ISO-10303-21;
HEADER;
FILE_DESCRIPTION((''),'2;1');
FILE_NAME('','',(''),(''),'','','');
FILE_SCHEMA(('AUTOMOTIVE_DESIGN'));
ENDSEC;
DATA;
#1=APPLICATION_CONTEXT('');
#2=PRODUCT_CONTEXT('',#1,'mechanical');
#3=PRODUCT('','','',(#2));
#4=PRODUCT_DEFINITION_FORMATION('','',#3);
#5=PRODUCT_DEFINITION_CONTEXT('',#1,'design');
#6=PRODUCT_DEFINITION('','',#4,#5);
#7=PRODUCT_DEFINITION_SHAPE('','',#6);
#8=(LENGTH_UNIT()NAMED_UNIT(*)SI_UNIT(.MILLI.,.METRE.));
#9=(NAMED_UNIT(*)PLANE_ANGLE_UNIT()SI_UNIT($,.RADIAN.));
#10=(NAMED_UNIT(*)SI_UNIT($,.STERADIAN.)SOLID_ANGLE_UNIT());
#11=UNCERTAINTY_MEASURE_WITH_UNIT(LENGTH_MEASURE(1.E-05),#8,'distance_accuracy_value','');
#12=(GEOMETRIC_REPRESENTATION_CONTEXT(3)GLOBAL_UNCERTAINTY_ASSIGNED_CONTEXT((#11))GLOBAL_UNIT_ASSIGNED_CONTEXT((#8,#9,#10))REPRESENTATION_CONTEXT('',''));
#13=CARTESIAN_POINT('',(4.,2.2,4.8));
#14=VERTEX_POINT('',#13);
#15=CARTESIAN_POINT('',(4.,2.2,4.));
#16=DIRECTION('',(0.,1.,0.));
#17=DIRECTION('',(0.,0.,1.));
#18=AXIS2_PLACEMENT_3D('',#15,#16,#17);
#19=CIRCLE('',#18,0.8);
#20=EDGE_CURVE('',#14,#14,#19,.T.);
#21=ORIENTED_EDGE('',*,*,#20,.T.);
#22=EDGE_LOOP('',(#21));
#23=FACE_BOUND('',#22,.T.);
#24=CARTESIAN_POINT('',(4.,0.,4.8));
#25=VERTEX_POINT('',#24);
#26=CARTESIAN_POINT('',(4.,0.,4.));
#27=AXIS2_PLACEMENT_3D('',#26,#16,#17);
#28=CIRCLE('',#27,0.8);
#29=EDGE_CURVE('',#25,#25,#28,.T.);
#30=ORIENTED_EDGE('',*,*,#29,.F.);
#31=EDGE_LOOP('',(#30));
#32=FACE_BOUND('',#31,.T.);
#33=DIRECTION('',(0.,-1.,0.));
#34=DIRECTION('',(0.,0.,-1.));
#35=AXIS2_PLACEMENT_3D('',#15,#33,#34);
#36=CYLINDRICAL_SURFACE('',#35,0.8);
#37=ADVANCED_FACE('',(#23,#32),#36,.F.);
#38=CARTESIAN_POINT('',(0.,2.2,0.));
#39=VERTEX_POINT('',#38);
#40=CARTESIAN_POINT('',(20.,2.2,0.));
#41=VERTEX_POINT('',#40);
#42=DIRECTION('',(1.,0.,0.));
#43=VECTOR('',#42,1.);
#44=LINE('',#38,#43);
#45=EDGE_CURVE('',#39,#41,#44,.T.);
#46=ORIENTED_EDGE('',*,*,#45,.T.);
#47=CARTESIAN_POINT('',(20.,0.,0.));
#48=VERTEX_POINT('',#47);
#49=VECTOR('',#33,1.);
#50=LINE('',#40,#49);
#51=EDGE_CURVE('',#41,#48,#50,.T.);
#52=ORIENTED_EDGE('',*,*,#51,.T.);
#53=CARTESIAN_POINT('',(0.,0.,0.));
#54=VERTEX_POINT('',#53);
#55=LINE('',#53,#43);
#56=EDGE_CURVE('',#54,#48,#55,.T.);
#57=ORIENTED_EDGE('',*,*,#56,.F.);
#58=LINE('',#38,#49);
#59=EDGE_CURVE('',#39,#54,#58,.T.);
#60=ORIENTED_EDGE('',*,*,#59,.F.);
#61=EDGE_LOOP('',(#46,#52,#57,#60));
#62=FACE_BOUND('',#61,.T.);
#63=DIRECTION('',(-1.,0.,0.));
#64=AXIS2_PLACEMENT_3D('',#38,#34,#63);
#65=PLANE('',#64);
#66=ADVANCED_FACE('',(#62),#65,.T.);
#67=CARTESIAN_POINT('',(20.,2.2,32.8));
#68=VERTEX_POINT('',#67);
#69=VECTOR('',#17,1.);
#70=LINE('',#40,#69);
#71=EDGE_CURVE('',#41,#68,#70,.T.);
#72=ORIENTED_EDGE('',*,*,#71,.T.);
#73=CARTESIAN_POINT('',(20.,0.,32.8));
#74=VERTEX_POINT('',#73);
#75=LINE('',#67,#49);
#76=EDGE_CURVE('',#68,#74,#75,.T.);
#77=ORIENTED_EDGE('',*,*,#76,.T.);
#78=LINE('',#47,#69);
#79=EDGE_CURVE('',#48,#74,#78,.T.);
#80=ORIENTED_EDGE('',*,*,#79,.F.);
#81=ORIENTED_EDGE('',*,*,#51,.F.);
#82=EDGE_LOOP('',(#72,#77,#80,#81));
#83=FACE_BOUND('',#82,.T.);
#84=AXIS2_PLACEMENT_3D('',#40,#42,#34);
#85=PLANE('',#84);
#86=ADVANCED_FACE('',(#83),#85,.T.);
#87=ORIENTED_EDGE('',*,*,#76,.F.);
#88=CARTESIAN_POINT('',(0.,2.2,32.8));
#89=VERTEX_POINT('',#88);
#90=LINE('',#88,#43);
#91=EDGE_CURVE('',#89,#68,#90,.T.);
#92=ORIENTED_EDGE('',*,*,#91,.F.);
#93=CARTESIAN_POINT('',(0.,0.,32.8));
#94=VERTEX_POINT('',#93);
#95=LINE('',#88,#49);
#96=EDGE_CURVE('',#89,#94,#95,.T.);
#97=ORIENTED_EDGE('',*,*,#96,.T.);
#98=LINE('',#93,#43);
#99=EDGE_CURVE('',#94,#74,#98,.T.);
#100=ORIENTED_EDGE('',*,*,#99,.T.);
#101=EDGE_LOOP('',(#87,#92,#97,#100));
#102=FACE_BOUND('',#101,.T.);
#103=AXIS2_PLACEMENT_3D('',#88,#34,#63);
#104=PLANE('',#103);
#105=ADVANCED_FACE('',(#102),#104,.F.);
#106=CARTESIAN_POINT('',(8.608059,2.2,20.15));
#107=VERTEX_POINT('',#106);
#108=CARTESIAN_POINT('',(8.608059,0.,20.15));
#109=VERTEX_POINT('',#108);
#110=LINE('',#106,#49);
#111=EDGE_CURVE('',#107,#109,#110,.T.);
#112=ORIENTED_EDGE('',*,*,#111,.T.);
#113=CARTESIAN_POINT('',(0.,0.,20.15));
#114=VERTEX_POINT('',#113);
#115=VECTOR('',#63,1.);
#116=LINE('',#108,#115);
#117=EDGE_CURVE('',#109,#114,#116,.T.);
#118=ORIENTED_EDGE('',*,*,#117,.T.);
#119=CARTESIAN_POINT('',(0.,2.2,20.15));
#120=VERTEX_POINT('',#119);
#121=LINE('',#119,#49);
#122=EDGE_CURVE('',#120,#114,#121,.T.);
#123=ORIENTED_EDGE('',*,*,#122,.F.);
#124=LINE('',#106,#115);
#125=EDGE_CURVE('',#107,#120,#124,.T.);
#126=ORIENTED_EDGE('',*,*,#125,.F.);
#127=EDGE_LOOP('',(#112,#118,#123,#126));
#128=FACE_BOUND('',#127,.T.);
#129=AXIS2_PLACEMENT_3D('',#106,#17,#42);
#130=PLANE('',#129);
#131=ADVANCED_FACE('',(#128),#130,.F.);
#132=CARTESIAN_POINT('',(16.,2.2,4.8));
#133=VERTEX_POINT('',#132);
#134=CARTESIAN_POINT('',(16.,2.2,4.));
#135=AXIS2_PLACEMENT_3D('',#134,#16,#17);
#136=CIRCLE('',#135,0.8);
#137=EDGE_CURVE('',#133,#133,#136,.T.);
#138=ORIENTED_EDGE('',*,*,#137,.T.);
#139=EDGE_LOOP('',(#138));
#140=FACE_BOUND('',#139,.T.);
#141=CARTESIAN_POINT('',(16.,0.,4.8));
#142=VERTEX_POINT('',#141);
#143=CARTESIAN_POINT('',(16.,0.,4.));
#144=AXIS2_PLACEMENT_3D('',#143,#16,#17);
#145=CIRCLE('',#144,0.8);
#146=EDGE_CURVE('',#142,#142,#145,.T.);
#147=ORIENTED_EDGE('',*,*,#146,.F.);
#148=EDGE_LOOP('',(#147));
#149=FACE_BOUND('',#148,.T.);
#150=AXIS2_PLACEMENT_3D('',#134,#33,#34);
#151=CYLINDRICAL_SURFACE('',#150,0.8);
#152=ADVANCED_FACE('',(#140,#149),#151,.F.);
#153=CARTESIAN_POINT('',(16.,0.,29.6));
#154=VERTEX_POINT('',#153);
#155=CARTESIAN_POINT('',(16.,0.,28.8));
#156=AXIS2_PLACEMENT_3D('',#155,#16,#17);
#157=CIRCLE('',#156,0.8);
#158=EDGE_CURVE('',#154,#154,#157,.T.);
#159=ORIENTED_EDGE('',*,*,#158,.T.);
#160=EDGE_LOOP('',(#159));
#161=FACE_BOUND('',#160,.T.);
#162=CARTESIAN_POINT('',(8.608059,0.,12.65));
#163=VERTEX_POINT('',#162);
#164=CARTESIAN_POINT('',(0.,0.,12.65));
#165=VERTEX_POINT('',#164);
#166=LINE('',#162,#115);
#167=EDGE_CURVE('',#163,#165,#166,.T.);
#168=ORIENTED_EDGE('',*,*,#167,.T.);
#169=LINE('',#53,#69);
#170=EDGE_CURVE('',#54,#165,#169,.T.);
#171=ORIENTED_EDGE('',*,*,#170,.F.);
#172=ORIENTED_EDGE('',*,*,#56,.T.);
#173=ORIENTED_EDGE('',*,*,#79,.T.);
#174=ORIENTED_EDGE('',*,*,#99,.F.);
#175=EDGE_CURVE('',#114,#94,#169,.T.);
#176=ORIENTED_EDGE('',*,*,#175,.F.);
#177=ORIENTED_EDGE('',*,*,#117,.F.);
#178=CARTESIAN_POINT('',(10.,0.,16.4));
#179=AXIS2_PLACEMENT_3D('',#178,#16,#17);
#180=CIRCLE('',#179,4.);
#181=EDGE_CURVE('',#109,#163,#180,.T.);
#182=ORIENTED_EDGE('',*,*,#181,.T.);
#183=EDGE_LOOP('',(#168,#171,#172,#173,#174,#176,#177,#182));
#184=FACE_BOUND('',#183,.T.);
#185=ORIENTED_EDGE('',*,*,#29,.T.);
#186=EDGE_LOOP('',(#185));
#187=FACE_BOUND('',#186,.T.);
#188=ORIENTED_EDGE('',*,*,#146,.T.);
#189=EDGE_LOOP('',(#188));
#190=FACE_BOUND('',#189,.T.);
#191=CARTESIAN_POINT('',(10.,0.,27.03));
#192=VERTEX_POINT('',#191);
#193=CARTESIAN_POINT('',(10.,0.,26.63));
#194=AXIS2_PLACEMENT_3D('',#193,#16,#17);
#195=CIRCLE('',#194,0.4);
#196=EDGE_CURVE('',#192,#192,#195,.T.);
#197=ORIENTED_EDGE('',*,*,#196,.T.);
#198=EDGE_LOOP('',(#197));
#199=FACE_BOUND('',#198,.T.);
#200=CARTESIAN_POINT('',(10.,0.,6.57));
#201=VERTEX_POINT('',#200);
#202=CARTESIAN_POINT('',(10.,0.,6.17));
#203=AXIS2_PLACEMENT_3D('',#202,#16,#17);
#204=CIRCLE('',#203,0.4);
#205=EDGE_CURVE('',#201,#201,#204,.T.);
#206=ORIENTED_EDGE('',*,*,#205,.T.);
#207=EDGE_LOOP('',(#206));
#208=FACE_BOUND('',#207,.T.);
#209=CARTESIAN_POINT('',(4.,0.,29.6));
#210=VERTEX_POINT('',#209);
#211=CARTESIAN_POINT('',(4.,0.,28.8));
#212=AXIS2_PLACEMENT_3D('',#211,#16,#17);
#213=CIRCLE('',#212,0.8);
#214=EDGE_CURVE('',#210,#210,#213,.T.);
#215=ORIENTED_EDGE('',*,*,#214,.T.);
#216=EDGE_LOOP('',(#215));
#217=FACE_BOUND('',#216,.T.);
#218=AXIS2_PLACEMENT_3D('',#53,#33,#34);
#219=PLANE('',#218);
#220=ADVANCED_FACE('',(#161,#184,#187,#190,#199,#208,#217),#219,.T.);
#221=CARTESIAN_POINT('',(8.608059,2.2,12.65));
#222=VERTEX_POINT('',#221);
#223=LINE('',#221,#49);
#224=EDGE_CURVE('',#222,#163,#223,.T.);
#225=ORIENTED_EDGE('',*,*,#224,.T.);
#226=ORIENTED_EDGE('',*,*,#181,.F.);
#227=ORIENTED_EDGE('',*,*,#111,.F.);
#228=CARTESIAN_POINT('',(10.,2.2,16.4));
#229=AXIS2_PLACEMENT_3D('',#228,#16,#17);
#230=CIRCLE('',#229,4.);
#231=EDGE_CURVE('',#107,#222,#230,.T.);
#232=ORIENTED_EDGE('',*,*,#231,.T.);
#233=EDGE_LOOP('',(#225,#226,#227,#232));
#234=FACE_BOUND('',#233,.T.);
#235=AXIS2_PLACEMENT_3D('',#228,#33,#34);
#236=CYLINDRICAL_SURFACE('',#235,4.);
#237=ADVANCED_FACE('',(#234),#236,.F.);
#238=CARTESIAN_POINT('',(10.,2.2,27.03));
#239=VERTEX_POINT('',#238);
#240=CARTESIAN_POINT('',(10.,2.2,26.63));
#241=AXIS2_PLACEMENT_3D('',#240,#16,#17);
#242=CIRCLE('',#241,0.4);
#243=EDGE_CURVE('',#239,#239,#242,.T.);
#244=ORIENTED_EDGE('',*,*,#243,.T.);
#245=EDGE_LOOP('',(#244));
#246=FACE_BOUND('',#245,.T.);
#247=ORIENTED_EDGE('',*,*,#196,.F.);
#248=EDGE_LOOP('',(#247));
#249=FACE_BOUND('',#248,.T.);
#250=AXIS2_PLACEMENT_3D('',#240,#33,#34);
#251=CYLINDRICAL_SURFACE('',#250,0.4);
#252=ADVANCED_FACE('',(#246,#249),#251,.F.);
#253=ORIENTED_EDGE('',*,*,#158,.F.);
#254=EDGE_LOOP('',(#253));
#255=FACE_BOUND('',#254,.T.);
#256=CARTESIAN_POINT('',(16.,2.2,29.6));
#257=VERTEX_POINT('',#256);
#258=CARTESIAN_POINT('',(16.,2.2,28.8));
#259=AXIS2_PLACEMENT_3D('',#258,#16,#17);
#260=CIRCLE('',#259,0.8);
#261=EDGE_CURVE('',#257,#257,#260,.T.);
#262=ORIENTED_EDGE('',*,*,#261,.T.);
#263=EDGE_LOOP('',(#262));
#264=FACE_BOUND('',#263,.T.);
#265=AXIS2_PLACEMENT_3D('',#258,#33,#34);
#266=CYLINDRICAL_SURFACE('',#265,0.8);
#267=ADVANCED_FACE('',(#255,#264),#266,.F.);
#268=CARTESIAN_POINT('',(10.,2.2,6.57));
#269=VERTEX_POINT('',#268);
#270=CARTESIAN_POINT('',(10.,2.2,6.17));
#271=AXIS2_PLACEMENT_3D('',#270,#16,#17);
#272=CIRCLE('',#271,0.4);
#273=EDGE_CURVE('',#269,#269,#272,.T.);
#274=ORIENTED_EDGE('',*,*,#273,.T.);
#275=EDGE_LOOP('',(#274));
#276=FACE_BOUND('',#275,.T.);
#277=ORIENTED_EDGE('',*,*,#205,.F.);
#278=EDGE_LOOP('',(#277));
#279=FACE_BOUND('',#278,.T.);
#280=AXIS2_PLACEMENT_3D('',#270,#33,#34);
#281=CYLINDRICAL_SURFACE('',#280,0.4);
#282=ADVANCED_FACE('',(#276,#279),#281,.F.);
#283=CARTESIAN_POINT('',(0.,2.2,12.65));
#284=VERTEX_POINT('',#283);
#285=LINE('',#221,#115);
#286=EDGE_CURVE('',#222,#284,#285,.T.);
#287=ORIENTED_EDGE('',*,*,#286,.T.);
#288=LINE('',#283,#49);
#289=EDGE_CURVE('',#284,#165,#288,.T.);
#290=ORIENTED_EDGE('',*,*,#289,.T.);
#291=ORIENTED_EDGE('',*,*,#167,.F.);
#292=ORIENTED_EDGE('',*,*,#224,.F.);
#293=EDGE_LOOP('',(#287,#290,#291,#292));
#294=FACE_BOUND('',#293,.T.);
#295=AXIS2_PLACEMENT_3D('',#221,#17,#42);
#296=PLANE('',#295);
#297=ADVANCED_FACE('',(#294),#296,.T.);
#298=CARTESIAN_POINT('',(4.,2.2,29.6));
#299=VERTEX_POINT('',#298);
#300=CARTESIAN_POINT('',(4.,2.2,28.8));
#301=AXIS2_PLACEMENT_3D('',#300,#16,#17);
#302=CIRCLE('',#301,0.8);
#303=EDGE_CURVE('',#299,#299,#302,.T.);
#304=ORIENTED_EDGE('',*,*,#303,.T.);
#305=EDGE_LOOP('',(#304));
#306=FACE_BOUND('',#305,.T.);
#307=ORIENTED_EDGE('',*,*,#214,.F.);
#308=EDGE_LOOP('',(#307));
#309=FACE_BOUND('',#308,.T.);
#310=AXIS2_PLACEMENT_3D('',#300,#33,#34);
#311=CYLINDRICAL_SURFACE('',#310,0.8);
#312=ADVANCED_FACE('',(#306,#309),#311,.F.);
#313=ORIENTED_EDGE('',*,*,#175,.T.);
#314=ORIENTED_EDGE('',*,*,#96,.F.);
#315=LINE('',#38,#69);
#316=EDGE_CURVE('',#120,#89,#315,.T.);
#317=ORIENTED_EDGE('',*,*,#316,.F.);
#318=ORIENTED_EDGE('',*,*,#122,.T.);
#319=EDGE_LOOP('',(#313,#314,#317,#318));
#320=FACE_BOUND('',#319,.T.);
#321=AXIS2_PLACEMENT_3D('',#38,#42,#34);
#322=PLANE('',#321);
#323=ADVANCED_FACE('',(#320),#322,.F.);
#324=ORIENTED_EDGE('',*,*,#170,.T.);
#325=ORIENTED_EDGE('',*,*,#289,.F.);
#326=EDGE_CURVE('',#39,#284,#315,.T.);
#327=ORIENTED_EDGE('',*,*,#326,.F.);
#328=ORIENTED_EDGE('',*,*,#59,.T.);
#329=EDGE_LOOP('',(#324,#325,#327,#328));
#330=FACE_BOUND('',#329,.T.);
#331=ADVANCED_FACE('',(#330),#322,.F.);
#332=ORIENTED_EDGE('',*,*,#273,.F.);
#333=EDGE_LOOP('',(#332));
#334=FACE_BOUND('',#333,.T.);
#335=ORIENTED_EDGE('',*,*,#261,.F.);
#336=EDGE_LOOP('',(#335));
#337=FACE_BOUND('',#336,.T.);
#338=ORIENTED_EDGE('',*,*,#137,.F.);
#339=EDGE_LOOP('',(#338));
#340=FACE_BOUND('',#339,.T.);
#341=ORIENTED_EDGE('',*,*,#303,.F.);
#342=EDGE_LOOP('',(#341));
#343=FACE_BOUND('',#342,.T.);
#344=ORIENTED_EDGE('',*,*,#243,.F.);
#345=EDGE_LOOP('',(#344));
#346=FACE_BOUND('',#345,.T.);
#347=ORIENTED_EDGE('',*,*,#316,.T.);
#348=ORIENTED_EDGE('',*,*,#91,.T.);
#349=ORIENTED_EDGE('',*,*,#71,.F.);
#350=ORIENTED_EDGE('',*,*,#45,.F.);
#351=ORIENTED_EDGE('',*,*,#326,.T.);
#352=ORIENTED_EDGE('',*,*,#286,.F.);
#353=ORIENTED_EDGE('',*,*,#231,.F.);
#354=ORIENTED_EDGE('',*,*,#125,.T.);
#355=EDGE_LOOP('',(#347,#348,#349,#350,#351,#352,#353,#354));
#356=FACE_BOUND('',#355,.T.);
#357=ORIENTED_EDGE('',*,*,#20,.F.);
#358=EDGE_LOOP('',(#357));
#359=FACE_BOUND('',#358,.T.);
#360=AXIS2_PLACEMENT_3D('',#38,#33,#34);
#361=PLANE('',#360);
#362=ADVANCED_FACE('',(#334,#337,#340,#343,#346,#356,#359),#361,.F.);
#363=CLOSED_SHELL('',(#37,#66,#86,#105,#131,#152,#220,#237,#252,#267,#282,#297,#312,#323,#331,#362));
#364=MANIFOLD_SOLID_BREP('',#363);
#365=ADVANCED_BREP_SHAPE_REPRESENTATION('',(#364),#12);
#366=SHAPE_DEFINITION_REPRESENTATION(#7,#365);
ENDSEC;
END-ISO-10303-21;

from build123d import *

# Parameters (mm, degrees)
SKETCH_1_R      = 0.8
SKETCH_1_R_2    = 0.4
EXTRUDE_1_DEPTH = 2.2


with BuildPart() as part:
    # 草图1 → 凸台-拉伸1 (new body)
    with BuildSketch(Plane(origin=(0, 0, 0), x_dir=(1, 0, 0), z_dir=(0, 1, 0))):
        with BuildLine():
            Line((20, 0), (0, 0))
            Line((0, 0), (0, -12.65))
            Line((0, -12.65), (8.608058909, -12.65))
            ThreePointArc((8.608058909, -12.65), (12.283882181, -13.116117819), (14, -16.4))
            ThreePointArc((14, -16.4), (12.283882181, -19.683882181), (8.608058909, -20.15))
            Line((8.608058909, -20.15), (0, -20.15))
            Line((0, -20.15), (0, -32.8))
            Line((0, -32.8), (20, -32.8))
            Line((20, -32.8), (20, 0))
        make_face()
        with Locations(Location((4, -28.8, 0), (0, 0, 270))):
            Circle(SKETCH_1_R, mode=Mode.SUBTRACT)
        with Locations(Location((10, -26.63, 0), (0, 0, 270))):
            Circle(SKETCH_1_R_2, mode=Mode.SUBTRACT)
        with Locations(Location((16, -28.8, 0), (0, 0, 270))):
            Circle(SKETCH_1_R, mode=Mode.SUBTRACT)
        with Locations(Location((4, -4, 0), (0, 0, 270))):
            Circle(SKETCH_1_R, mode=Mode.SUBTRACT)
        with Locations(Location((10, -6.17, 0), (0, 0, 270))):
            Circle(SKETCH_1_R_2, mode=Mode.SUBTRACT)
        with Locations(Location((16, -4, 0), (0, 0, 270))):
            Circle(SKETCH_1_R, mode=Mode.SUBTRACT)
    extrude(amount=EXTRUDE_1_DEPTH)


solid = part.part
